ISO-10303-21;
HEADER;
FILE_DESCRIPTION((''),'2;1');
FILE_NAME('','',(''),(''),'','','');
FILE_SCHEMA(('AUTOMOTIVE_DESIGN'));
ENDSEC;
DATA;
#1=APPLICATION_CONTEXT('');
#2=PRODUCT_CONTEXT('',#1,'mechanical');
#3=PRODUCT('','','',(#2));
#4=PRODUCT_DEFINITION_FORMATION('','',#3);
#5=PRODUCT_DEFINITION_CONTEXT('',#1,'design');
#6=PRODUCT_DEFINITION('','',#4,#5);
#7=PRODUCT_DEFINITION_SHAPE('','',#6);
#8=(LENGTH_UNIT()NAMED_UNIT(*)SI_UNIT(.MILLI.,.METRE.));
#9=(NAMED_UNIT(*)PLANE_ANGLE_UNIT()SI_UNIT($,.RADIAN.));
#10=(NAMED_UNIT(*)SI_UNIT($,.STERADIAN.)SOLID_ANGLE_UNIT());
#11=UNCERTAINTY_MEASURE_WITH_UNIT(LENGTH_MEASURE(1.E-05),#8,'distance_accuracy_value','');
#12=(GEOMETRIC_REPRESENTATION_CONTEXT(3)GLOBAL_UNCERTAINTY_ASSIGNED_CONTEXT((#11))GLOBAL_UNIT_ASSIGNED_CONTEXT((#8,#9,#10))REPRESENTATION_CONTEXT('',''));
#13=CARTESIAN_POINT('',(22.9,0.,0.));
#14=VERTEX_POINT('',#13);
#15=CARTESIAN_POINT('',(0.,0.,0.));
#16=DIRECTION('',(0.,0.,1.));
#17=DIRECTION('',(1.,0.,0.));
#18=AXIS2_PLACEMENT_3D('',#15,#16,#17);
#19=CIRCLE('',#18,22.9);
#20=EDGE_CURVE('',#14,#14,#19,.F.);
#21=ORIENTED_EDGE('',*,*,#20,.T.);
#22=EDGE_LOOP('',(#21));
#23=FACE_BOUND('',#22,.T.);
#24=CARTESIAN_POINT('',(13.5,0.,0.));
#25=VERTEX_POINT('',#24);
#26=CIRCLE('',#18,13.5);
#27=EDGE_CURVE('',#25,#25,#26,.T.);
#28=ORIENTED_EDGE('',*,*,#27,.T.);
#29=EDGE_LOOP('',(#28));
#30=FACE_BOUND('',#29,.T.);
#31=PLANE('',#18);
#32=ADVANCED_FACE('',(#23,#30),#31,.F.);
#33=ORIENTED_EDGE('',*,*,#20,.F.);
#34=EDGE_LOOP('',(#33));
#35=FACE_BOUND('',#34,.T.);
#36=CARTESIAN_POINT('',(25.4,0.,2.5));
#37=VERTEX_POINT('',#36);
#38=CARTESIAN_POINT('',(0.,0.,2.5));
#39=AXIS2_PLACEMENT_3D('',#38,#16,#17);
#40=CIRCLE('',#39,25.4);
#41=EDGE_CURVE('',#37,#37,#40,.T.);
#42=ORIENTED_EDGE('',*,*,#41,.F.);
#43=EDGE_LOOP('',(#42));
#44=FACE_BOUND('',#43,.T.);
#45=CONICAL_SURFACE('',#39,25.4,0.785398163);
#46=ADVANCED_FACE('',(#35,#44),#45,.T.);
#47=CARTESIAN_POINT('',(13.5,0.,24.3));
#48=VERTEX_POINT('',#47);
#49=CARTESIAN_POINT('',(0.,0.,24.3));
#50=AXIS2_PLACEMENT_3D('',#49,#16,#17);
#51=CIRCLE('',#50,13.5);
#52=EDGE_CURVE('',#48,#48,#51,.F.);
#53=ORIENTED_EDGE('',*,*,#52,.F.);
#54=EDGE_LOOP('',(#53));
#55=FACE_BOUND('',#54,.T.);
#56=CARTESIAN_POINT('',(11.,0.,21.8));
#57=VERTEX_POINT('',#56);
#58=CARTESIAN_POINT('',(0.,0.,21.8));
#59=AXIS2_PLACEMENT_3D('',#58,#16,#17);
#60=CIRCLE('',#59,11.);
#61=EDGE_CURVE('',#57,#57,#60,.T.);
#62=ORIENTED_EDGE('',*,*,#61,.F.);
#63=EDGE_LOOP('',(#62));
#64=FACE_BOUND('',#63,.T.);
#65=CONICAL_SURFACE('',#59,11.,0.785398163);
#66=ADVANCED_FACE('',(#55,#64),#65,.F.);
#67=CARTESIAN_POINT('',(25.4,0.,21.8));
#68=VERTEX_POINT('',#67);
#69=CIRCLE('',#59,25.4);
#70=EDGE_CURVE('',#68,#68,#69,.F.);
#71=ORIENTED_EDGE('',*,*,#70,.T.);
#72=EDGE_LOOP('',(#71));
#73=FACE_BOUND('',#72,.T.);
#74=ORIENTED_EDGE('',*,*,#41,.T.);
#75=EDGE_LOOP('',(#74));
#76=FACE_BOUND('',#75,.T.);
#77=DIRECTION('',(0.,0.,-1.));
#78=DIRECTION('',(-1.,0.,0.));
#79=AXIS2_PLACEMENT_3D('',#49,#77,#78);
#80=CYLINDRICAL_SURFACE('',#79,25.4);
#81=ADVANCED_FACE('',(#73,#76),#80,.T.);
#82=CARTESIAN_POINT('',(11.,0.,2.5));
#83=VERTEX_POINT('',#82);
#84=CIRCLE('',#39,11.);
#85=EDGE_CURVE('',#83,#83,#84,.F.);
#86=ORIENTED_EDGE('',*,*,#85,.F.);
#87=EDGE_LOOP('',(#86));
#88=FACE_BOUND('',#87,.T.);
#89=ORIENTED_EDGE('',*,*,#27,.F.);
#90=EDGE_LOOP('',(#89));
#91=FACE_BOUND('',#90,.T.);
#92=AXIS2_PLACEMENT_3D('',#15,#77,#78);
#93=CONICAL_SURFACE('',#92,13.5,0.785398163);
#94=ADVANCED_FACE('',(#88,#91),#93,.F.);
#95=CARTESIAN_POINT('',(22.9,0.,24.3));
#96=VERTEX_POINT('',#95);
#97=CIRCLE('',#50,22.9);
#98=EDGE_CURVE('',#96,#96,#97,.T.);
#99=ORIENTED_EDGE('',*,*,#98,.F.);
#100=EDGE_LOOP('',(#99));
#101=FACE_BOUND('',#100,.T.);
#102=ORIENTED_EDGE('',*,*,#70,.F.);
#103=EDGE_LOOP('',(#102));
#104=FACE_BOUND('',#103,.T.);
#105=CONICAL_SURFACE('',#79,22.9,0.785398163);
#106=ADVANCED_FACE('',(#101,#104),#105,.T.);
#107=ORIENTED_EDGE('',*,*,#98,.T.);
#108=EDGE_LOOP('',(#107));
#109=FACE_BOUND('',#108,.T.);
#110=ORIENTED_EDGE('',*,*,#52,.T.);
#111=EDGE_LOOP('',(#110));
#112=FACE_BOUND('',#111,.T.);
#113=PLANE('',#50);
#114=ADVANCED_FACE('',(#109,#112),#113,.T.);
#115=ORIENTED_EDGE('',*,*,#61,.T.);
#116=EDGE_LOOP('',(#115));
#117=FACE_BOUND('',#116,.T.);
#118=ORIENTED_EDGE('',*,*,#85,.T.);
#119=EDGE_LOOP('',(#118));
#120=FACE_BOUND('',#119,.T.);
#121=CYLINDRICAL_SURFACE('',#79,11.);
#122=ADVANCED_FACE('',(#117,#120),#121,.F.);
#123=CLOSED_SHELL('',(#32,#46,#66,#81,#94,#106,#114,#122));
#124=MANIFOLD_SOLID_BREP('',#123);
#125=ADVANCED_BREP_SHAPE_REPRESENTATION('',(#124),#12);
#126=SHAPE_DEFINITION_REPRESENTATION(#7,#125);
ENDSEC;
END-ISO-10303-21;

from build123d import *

# Parameters (mm, degrees)
ESBO_O1_R                = 25.4
ESBO_O1_R_2              = 11
RESSALTO_EXTRUS_O1_DEPTH = 24.3
CHANFRO1_SIZE            = 2.5


with BuildPart() as part:
    # Esboço1 → Ressalto-extrusão1 (new body)
    with BuildSketch(Plane.XY):
        Circle(ESBO_O1_R)
        Circle(ESBO_O1_R_2, mode=Mode.SUBTRACT)
    extrude(amount=RESSALTO_EXTRUS_O1_DEPTH)

    # Chanfro1
    chanfro1_edges = [part.edges().sort_by_distance(p)[0] for p in [
        (-25.4, 0, 0),
        (-25.4, 0, 24.3),
        (-11, 0, 0),
        (-11, 0, 24.3),
    ]]
    chamfer(chanfro1_edges, length=CHANFRO1_SIZE)


solid = part.part
